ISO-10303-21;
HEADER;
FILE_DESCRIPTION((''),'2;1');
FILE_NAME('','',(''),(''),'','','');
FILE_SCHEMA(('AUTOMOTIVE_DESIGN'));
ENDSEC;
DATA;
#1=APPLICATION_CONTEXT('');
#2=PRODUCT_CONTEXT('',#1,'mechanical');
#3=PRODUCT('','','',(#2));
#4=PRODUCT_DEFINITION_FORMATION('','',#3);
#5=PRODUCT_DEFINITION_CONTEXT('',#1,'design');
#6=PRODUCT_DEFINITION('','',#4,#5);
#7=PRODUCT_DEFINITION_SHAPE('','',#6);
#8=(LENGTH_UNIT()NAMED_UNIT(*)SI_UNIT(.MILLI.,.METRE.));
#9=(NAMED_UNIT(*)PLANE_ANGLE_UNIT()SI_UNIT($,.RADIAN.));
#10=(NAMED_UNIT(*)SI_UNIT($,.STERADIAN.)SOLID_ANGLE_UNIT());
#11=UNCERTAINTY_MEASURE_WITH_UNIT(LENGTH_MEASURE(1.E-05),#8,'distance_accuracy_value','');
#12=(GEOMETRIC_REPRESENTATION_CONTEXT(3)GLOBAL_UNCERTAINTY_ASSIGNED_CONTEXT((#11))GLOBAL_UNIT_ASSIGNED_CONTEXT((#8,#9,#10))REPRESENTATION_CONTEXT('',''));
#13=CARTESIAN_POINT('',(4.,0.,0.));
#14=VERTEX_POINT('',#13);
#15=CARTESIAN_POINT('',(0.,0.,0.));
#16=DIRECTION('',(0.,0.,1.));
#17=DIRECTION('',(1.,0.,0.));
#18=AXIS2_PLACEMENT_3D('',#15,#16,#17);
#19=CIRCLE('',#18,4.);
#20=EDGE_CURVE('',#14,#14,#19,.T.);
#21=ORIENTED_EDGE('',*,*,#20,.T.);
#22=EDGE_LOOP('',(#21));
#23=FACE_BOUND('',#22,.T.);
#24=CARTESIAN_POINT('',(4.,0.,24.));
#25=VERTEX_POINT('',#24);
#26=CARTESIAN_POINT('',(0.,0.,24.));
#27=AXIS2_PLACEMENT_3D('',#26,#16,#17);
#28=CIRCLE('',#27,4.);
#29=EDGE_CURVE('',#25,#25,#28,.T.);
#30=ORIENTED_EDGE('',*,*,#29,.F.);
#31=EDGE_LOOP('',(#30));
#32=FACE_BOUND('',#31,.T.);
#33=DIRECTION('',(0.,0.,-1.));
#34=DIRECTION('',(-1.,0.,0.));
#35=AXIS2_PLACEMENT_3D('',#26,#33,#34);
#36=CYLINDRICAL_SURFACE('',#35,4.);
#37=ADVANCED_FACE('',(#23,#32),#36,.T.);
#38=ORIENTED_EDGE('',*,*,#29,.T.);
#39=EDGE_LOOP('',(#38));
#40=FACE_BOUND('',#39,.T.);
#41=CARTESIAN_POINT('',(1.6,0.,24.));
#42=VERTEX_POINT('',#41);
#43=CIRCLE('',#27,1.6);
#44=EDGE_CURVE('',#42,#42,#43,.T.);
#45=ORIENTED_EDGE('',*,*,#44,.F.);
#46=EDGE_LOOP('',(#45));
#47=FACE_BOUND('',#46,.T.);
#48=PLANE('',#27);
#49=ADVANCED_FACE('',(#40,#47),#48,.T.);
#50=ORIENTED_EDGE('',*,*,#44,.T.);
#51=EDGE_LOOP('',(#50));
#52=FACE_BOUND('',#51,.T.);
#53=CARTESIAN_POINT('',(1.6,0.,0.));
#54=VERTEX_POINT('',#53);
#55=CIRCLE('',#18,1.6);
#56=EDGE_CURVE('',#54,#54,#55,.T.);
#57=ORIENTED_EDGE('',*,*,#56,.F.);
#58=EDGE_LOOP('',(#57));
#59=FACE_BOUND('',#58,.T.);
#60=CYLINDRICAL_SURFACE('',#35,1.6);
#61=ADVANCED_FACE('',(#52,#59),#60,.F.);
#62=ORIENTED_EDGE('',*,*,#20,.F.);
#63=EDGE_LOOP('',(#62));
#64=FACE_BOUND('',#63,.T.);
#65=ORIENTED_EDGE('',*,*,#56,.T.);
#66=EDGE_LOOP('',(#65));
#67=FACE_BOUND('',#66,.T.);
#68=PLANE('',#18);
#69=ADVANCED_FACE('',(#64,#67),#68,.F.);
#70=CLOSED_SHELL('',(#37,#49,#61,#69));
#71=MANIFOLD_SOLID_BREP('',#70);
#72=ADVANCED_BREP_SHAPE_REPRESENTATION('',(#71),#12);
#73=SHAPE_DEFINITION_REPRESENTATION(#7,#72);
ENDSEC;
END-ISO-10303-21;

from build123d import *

# Parameters (mm, degrees)
STANDOFF_OD8_ID3P2_PROFILE_R   = 4
STANDOFF_OD8_ID3P2_PROFILE_R_2 = 1.6
STANDOFF_OD8_ID3P2_DEPTH       = 24


with BuildPart() as part:
    # Standoff_OD8_ID3p2_profile → Standoff_OD8_ID3p2 (new body)
    with BuildSketch(Plane.XY):
        Circle(STANDOFF_OD8_ID3P2_PROFILE_R)
        Circle(STANDOFF_OD8_ID3P2_PROFILE_R_2, mode=Mode.SUBTRACT)
    extrude(amount=STANDOFF_OD8_ID3P2_DEPTH)


solid = part.part
